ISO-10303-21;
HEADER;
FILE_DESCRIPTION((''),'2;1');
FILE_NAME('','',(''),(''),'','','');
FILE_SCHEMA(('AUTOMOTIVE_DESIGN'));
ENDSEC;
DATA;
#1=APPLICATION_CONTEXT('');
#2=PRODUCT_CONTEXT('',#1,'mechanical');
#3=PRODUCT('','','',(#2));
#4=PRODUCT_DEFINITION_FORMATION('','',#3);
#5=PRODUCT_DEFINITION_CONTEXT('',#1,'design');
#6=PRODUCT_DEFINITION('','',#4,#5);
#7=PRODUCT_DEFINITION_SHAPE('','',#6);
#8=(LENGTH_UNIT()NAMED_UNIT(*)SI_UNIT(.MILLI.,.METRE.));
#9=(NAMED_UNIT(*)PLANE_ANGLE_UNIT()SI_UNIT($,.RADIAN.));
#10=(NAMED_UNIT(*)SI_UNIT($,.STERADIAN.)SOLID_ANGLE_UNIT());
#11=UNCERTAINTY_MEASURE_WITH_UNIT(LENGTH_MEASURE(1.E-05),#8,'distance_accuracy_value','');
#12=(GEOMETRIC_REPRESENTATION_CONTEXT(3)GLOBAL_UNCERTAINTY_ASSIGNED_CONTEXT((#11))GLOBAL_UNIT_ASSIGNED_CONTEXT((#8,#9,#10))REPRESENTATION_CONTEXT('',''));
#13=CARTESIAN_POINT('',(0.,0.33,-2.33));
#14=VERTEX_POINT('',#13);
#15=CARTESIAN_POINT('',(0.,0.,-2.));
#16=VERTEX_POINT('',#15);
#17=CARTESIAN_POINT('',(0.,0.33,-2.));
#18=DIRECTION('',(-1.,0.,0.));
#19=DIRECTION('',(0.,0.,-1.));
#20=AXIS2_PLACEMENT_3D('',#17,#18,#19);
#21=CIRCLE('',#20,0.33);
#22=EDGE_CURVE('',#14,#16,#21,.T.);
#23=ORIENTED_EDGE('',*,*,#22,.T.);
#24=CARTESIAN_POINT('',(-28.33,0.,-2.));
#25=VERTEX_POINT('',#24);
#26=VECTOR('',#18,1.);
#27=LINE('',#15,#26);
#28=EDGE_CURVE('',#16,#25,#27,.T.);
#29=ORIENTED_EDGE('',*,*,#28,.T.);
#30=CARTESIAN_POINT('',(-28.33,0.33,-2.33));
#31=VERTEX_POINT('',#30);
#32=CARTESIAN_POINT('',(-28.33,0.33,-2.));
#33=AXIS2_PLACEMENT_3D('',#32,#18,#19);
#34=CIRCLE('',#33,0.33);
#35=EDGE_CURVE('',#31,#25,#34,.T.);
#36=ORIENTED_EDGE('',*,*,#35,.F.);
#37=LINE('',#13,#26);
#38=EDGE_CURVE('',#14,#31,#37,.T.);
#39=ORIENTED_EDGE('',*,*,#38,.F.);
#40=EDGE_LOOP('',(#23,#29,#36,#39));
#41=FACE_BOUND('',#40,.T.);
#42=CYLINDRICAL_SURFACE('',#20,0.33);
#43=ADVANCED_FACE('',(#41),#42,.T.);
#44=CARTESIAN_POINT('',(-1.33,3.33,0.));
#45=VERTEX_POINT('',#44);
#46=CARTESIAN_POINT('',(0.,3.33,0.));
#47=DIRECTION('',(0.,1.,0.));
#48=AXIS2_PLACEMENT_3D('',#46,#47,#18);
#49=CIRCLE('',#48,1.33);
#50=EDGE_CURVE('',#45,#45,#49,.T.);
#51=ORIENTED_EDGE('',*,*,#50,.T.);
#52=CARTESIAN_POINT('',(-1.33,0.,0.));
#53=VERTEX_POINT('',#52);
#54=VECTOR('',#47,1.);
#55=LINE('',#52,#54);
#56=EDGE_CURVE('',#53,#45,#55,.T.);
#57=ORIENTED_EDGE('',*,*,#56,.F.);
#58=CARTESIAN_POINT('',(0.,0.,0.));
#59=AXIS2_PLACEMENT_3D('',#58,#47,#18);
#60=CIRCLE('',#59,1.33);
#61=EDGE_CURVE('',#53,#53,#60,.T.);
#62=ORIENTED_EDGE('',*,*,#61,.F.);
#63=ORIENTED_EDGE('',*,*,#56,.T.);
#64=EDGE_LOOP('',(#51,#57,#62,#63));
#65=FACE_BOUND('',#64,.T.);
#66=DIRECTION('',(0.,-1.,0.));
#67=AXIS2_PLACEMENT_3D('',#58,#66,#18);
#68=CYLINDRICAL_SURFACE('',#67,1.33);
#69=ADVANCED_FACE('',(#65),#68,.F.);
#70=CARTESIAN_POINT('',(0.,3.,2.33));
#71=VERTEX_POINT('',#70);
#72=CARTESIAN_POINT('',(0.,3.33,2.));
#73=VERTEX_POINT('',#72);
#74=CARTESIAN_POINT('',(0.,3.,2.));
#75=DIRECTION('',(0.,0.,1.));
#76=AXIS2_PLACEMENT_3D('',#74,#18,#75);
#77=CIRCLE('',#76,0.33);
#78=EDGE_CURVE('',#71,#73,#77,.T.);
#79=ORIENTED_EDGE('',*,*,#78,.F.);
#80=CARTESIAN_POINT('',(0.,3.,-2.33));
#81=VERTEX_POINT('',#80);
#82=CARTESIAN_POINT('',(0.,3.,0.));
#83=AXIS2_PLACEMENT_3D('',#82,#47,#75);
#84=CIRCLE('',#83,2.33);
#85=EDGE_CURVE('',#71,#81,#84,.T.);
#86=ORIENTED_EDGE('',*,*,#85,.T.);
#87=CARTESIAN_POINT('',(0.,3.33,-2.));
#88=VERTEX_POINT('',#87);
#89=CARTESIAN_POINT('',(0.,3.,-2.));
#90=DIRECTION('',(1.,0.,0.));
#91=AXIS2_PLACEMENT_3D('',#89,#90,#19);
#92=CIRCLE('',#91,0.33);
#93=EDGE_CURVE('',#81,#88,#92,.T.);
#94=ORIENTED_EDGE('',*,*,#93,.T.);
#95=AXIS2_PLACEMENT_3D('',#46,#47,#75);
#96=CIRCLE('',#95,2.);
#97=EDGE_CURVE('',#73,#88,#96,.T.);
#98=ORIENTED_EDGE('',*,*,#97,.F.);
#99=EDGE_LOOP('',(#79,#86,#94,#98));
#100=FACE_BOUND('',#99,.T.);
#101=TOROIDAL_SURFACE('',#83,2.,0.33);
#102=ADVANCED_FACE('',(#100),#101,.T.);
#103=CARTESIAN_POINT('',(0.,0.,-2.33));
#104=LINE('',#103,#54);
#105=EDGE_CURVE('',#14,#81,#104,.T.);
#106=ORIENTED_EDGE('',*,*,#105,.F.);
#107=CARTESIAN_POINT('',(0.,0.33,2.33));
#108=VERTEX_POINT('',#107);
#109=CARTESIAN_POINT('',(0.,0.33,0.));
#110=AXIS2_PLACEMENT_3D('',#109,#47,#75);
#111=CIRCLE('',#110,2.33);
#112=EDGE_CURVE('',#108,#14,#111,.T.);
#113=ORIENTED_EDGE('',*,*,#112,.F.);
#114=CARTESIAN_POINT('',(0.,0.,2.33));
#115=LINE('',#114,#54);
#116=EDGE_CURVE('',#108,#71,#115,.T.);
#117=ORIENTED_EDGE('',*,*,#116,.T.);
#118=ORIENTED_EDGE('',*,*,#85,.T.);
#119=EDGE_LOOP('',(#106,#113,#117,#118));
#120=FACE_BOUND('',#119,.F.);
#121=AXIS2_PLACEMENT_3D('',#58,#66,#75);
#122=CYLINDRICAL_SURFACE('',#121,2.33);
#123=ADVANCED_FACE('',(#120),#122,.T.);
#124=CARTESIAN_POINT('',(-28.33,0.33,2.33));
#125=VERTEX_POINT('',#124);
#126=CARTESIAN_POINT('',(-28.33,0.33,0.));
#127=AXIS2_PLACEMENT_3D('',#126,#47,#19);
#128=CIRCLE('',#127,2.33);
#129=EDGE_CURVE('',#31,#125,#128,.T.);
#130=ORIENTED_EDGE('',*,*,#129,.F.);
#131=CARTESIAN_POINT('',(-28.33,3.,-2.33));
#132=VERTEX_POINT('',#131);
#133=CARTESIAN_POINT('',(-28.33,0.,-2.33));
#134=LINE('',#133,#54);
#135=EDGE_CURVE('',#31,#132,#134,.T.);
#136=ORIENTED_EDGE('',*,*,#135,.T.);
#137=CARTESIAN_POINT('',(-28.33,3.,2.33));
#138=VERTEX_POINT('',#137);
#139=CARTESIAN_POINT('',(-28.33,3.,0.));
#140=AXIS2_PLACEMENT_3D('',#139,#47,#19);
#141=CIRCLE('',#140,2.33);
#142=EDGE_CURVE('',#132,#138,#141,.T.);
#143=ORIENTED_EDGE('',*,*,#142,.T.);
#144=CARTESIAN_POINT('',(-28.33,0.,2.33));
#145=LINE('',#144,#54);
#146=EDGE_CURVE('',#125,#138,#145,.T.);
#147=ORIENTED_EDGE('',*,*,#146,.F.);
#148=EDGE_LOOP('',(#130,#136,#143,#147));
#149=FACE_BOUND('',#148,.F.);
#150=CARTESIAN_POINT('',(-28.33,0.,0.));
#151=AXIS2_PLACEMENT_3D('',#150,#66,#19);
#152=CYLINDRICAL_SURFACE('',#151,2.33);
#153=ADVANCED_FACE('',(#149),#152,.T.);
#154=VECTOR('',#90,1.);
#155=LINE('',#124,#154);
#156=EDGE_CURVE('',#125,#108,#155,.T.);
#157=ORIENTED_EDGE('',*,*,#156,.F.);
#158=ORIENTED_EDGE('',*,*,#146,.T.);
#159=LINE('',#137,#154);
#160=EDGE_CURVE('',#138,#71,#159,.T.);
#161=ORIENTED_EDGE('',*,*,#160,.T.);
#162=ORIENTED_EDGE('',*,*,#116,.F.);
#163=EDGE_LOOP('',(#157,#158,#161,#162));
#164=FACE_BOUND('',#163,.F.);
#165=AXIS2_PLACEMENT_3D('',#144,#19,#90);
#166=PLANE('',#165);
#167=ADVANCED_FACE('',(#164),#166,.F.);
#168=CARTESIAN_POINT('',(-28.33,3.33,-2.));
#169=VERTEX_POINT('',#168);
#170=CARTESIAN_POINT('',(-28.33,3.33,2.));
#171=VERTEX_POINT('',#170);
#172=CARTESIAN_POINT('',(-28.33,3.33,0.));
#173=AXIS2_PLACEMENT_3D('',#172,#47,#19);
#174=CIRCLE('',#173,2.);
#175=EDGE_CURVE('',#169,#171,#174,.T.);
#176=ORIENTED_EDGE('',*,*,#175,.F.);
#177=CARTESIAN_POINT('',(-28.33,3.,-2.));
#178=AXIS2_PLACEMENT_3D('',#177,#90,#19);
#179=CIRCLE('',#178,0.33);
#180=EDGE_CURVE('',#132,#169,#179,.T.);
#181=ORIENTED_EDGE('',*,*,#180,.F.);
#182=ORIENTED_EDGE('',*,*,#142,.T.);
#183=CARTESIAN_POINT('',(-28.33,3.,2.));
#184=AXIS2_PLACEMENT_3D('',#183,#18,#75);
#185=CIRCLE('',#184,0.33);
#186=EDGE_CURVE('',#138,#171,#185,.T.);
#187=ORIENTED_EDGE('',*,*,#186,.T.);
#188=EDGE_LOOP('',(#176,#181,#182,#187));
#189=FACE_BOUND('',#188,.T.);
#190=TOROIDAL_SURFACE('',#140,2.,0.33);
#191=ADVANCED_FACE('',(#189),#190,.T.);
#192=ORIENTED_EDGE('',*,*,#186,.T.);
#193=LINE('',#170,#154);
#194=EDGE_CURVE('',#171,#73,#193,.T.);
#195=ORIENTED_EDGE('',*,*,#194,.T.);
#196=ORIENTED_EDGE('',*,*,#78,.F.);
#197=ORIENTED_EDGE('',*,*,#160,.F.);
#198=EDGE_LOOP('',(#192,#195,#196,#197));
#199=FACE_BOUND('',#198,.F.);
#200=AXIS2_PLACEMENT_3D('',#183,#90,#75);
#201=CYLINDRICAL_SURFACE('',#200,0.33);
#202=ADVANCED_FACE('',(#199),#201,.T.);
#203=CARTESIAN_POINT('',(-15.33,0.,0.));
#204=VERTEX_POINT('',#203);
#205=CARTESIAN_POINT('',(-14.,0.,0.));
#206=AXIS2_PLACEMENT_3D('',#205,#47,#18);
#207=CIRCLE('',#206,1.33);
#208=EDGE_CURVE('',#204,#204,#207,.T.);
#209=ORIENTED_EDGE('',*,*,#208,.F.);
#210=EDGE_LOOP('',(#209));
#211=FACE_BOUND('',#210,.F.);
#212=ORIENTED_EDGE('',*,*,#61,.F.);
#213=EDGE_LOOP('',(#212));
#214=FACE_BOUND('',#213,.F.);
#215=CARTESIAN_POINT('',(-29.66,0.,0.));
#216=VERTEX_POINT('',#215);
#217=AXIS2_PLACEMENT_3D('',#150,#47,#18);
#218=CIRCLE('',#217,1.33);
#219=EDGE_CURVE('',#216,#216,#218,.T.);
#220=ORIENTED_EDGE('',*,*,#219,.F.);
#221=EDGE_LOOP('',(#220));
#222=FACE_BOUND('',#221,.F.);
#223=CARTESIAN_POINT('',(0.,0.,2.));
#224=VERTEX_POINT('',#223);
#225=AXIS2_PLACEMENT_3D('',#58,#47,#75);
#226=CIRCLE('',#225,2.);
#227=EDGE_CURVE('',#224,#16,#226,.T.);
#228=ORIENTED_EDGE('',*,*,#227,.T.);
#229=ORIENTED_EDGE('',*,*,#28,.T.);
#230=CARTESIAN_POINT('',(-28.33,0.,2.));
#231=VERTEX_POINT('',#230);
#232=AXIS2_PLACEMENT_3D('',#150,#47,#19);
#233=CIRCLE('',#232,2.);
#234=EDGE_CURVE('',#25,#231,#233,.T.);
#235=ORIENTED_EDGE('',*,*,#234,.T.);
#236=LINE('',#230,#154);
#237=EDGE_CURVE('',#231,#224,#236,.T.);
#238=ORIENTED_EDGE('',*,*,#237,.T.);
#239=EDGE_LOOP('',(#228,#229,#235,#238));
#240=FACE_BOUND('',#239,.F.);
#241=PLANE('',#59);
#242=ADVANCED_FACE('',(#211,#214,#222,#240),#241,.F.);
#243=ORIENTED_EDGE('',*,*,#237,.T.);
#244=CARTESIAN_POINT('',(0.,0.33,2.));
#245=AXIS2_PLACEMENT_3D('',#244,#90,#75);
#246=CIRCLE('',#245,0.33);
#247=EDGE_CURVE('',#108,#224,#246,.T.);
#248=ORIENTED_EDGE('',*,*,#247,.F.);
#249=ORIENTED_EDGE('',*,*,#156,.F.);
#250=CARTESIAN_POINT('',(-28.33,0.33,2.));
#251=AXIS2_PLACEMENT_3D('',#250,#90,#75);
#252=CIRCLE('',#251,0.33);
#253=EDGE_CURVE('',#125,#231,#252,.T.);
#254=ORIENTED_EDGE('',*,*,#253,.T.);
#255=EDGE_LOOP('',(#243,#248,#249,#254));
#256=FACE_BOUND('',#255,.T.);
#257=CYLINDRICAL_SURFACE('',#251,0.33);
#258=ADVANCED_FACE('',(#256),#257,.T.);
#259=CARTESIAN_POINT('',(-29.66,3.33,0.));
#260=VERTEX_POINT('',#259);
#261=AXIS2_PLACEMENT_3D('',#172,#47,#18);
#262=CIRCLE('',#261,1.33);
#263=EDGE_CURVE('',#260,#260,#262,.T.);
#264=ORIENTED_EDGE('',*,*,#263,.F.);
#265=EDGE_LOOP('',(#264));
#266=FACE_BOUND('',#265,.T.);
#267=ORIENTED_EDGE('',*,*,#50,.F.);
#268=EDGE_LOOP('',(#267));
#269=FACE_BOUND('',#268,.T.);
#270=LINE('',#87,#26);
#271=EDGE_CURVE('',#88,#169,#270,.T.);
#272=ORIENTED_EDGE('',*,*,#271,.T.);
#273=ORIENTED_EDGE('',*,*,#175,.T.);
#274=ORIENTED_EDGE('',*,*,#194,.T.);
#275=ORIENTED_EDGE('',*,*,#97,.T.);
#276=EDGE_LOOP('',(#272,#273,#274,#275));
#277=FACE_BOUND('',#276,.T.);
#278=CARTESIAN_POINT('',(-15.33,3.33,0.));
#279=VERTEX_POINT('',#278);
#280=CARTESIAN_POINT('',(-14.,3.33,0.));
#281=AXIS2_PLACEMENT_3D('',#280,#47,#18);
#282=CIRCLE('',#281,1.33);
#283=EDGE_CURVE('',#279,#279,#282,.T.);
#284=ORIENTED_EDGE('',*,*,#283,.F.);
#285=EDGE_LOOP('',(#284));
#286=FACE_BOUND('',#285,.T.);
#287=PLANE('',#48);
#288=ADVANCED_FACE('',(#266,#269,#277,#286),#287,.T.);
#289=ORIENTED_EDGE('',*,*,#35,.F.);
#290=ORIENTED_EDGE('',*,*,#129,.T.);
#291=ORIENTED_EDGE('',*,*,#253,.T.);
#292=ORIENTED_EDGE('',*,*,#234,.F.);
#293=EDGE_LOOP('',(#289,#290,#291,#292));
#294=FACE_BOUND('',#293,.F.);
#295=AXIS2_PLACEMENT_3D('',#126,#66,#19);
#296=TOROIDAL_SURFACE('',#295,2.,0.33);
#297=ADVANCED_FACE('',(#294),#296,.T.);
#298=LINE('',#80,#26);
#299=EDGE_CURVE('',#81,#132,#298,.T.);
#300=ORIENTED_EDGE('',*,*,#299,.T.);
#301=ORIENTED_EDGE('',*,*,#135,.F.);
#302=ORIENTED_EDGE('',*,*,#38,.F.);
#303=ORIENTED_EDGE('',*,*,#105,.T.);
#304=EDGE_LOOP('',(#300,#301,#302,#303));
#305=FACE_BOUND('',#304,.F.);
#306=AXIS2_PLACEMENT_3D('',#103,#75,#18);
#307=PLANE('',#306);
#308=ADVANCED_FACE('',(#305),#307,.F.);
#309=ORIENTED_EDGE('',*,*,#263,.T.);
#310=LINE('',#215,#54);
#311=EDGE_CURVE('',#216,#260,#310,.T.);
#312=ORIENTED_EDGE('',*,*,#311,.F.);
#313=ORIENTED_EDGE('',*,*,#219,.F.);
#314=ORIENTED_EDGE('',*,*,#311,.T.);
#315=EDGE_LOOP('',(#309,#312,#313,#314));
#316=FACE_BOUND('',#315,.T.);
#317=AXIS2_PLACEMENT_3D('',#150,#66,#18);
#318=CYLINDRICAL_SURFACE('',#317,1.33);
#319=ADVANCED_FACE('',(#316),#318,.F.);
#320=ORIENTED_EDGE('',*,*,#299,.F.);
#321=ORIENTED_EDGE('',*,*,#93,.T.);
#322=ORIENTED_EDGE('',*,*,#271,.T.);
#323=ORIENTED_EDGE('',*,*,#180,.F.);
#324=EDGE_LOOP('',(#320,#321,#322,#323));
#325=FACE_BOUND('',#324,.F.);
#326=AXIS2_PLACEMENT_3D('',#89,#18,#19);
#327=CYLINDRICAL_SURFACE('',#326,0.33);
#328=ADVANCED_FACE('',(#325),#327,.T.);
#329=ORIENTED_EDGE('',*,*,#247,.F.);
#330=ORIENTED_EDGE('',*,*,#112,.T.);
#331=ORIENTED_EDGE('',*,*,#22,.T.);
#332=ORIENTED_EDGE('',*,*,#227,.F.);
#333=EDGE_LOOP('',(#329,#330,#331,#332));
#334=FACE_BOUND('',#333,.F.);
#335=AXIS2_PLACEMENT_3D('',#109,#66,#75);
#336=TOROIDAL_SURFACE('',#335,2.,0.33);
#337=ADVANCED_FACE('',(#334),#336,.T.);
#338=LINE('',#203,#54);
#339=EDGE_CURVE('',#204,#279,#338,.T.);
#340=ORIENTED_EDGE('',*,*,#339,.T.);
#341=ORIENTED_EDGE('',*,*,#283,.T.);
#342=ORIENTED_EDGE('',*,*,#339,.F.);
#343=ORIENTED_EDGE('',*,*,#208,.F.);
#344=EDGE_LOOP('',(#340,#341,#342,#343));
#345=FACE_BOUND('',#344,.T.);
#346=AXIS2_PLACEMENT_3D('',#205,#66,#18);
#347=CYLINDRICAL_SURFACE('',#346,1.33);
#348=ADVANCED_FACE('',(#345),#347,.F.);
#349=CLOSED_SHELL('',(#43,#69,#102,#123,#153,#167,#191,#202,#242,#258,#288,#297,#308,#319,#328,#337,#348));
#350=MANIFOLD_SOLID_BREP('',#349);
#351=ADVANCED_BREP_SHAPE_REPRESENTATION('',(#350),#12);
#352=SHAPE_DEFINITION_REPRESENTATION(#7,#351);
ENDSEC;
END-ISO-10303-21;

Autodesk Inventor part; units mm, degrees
ref_plane "YZ Plane" through (0, 0, 0) normal (1, 0, 0) x (0, 1, 0)
ref_plane "XZ Plane" through (0, 0, 0) normal (0, 1, 0) x (-1, 0, 0)
ref_plane "XY Plane" through (0, 0, 0) normal (0, 0, 1) x (1, 0, 0)
sketch "Sketch1" plane through (0, 0, 0) normal (0, 1, 0) x (-1, 0, 0)
  line L0 (0, 0) -> (28.33, 0) construction
  line L1 (0, -2.33) -> (28.33, -2.33)
  line L2 (28.33, 2.33) -> (0, 2.33)
  arc A0 (0, 2.33) -> (0, -2.33) centre (0, 0) ccw
  arc A1 (28.33, -2.33) -> (28.33, 2.33) centre (28.33, 0) ccw
  circle A2 centre (28.33, 0) radius 1.33
  circle A3 centre (0, 0) radius 1.33
  circle A4 centre (14, 0) radius 1.33
  point P0 (14.165, 0)
  dimension "d0" = 28.33
  dimension "d1" = 4.66
  dimension "d2" = 2.66
  dimension "d3" = 14
extrude "Extrusion1" add sketch "Sketch1" along normal blind 3.33
fillet "Fillet1" radius 0.33 8 edges at (2.33, 3.33, 0) (-14.165, 3.33, -2.33) (-30.66, 3.33, 0) (-14.165, 3.33, 2.33) (2.33, 0, 0) (-14.165, 0, -2.33) (-30.66, 0, 0) (-14.165, 0, 2.33)
properties part number "G-1"
